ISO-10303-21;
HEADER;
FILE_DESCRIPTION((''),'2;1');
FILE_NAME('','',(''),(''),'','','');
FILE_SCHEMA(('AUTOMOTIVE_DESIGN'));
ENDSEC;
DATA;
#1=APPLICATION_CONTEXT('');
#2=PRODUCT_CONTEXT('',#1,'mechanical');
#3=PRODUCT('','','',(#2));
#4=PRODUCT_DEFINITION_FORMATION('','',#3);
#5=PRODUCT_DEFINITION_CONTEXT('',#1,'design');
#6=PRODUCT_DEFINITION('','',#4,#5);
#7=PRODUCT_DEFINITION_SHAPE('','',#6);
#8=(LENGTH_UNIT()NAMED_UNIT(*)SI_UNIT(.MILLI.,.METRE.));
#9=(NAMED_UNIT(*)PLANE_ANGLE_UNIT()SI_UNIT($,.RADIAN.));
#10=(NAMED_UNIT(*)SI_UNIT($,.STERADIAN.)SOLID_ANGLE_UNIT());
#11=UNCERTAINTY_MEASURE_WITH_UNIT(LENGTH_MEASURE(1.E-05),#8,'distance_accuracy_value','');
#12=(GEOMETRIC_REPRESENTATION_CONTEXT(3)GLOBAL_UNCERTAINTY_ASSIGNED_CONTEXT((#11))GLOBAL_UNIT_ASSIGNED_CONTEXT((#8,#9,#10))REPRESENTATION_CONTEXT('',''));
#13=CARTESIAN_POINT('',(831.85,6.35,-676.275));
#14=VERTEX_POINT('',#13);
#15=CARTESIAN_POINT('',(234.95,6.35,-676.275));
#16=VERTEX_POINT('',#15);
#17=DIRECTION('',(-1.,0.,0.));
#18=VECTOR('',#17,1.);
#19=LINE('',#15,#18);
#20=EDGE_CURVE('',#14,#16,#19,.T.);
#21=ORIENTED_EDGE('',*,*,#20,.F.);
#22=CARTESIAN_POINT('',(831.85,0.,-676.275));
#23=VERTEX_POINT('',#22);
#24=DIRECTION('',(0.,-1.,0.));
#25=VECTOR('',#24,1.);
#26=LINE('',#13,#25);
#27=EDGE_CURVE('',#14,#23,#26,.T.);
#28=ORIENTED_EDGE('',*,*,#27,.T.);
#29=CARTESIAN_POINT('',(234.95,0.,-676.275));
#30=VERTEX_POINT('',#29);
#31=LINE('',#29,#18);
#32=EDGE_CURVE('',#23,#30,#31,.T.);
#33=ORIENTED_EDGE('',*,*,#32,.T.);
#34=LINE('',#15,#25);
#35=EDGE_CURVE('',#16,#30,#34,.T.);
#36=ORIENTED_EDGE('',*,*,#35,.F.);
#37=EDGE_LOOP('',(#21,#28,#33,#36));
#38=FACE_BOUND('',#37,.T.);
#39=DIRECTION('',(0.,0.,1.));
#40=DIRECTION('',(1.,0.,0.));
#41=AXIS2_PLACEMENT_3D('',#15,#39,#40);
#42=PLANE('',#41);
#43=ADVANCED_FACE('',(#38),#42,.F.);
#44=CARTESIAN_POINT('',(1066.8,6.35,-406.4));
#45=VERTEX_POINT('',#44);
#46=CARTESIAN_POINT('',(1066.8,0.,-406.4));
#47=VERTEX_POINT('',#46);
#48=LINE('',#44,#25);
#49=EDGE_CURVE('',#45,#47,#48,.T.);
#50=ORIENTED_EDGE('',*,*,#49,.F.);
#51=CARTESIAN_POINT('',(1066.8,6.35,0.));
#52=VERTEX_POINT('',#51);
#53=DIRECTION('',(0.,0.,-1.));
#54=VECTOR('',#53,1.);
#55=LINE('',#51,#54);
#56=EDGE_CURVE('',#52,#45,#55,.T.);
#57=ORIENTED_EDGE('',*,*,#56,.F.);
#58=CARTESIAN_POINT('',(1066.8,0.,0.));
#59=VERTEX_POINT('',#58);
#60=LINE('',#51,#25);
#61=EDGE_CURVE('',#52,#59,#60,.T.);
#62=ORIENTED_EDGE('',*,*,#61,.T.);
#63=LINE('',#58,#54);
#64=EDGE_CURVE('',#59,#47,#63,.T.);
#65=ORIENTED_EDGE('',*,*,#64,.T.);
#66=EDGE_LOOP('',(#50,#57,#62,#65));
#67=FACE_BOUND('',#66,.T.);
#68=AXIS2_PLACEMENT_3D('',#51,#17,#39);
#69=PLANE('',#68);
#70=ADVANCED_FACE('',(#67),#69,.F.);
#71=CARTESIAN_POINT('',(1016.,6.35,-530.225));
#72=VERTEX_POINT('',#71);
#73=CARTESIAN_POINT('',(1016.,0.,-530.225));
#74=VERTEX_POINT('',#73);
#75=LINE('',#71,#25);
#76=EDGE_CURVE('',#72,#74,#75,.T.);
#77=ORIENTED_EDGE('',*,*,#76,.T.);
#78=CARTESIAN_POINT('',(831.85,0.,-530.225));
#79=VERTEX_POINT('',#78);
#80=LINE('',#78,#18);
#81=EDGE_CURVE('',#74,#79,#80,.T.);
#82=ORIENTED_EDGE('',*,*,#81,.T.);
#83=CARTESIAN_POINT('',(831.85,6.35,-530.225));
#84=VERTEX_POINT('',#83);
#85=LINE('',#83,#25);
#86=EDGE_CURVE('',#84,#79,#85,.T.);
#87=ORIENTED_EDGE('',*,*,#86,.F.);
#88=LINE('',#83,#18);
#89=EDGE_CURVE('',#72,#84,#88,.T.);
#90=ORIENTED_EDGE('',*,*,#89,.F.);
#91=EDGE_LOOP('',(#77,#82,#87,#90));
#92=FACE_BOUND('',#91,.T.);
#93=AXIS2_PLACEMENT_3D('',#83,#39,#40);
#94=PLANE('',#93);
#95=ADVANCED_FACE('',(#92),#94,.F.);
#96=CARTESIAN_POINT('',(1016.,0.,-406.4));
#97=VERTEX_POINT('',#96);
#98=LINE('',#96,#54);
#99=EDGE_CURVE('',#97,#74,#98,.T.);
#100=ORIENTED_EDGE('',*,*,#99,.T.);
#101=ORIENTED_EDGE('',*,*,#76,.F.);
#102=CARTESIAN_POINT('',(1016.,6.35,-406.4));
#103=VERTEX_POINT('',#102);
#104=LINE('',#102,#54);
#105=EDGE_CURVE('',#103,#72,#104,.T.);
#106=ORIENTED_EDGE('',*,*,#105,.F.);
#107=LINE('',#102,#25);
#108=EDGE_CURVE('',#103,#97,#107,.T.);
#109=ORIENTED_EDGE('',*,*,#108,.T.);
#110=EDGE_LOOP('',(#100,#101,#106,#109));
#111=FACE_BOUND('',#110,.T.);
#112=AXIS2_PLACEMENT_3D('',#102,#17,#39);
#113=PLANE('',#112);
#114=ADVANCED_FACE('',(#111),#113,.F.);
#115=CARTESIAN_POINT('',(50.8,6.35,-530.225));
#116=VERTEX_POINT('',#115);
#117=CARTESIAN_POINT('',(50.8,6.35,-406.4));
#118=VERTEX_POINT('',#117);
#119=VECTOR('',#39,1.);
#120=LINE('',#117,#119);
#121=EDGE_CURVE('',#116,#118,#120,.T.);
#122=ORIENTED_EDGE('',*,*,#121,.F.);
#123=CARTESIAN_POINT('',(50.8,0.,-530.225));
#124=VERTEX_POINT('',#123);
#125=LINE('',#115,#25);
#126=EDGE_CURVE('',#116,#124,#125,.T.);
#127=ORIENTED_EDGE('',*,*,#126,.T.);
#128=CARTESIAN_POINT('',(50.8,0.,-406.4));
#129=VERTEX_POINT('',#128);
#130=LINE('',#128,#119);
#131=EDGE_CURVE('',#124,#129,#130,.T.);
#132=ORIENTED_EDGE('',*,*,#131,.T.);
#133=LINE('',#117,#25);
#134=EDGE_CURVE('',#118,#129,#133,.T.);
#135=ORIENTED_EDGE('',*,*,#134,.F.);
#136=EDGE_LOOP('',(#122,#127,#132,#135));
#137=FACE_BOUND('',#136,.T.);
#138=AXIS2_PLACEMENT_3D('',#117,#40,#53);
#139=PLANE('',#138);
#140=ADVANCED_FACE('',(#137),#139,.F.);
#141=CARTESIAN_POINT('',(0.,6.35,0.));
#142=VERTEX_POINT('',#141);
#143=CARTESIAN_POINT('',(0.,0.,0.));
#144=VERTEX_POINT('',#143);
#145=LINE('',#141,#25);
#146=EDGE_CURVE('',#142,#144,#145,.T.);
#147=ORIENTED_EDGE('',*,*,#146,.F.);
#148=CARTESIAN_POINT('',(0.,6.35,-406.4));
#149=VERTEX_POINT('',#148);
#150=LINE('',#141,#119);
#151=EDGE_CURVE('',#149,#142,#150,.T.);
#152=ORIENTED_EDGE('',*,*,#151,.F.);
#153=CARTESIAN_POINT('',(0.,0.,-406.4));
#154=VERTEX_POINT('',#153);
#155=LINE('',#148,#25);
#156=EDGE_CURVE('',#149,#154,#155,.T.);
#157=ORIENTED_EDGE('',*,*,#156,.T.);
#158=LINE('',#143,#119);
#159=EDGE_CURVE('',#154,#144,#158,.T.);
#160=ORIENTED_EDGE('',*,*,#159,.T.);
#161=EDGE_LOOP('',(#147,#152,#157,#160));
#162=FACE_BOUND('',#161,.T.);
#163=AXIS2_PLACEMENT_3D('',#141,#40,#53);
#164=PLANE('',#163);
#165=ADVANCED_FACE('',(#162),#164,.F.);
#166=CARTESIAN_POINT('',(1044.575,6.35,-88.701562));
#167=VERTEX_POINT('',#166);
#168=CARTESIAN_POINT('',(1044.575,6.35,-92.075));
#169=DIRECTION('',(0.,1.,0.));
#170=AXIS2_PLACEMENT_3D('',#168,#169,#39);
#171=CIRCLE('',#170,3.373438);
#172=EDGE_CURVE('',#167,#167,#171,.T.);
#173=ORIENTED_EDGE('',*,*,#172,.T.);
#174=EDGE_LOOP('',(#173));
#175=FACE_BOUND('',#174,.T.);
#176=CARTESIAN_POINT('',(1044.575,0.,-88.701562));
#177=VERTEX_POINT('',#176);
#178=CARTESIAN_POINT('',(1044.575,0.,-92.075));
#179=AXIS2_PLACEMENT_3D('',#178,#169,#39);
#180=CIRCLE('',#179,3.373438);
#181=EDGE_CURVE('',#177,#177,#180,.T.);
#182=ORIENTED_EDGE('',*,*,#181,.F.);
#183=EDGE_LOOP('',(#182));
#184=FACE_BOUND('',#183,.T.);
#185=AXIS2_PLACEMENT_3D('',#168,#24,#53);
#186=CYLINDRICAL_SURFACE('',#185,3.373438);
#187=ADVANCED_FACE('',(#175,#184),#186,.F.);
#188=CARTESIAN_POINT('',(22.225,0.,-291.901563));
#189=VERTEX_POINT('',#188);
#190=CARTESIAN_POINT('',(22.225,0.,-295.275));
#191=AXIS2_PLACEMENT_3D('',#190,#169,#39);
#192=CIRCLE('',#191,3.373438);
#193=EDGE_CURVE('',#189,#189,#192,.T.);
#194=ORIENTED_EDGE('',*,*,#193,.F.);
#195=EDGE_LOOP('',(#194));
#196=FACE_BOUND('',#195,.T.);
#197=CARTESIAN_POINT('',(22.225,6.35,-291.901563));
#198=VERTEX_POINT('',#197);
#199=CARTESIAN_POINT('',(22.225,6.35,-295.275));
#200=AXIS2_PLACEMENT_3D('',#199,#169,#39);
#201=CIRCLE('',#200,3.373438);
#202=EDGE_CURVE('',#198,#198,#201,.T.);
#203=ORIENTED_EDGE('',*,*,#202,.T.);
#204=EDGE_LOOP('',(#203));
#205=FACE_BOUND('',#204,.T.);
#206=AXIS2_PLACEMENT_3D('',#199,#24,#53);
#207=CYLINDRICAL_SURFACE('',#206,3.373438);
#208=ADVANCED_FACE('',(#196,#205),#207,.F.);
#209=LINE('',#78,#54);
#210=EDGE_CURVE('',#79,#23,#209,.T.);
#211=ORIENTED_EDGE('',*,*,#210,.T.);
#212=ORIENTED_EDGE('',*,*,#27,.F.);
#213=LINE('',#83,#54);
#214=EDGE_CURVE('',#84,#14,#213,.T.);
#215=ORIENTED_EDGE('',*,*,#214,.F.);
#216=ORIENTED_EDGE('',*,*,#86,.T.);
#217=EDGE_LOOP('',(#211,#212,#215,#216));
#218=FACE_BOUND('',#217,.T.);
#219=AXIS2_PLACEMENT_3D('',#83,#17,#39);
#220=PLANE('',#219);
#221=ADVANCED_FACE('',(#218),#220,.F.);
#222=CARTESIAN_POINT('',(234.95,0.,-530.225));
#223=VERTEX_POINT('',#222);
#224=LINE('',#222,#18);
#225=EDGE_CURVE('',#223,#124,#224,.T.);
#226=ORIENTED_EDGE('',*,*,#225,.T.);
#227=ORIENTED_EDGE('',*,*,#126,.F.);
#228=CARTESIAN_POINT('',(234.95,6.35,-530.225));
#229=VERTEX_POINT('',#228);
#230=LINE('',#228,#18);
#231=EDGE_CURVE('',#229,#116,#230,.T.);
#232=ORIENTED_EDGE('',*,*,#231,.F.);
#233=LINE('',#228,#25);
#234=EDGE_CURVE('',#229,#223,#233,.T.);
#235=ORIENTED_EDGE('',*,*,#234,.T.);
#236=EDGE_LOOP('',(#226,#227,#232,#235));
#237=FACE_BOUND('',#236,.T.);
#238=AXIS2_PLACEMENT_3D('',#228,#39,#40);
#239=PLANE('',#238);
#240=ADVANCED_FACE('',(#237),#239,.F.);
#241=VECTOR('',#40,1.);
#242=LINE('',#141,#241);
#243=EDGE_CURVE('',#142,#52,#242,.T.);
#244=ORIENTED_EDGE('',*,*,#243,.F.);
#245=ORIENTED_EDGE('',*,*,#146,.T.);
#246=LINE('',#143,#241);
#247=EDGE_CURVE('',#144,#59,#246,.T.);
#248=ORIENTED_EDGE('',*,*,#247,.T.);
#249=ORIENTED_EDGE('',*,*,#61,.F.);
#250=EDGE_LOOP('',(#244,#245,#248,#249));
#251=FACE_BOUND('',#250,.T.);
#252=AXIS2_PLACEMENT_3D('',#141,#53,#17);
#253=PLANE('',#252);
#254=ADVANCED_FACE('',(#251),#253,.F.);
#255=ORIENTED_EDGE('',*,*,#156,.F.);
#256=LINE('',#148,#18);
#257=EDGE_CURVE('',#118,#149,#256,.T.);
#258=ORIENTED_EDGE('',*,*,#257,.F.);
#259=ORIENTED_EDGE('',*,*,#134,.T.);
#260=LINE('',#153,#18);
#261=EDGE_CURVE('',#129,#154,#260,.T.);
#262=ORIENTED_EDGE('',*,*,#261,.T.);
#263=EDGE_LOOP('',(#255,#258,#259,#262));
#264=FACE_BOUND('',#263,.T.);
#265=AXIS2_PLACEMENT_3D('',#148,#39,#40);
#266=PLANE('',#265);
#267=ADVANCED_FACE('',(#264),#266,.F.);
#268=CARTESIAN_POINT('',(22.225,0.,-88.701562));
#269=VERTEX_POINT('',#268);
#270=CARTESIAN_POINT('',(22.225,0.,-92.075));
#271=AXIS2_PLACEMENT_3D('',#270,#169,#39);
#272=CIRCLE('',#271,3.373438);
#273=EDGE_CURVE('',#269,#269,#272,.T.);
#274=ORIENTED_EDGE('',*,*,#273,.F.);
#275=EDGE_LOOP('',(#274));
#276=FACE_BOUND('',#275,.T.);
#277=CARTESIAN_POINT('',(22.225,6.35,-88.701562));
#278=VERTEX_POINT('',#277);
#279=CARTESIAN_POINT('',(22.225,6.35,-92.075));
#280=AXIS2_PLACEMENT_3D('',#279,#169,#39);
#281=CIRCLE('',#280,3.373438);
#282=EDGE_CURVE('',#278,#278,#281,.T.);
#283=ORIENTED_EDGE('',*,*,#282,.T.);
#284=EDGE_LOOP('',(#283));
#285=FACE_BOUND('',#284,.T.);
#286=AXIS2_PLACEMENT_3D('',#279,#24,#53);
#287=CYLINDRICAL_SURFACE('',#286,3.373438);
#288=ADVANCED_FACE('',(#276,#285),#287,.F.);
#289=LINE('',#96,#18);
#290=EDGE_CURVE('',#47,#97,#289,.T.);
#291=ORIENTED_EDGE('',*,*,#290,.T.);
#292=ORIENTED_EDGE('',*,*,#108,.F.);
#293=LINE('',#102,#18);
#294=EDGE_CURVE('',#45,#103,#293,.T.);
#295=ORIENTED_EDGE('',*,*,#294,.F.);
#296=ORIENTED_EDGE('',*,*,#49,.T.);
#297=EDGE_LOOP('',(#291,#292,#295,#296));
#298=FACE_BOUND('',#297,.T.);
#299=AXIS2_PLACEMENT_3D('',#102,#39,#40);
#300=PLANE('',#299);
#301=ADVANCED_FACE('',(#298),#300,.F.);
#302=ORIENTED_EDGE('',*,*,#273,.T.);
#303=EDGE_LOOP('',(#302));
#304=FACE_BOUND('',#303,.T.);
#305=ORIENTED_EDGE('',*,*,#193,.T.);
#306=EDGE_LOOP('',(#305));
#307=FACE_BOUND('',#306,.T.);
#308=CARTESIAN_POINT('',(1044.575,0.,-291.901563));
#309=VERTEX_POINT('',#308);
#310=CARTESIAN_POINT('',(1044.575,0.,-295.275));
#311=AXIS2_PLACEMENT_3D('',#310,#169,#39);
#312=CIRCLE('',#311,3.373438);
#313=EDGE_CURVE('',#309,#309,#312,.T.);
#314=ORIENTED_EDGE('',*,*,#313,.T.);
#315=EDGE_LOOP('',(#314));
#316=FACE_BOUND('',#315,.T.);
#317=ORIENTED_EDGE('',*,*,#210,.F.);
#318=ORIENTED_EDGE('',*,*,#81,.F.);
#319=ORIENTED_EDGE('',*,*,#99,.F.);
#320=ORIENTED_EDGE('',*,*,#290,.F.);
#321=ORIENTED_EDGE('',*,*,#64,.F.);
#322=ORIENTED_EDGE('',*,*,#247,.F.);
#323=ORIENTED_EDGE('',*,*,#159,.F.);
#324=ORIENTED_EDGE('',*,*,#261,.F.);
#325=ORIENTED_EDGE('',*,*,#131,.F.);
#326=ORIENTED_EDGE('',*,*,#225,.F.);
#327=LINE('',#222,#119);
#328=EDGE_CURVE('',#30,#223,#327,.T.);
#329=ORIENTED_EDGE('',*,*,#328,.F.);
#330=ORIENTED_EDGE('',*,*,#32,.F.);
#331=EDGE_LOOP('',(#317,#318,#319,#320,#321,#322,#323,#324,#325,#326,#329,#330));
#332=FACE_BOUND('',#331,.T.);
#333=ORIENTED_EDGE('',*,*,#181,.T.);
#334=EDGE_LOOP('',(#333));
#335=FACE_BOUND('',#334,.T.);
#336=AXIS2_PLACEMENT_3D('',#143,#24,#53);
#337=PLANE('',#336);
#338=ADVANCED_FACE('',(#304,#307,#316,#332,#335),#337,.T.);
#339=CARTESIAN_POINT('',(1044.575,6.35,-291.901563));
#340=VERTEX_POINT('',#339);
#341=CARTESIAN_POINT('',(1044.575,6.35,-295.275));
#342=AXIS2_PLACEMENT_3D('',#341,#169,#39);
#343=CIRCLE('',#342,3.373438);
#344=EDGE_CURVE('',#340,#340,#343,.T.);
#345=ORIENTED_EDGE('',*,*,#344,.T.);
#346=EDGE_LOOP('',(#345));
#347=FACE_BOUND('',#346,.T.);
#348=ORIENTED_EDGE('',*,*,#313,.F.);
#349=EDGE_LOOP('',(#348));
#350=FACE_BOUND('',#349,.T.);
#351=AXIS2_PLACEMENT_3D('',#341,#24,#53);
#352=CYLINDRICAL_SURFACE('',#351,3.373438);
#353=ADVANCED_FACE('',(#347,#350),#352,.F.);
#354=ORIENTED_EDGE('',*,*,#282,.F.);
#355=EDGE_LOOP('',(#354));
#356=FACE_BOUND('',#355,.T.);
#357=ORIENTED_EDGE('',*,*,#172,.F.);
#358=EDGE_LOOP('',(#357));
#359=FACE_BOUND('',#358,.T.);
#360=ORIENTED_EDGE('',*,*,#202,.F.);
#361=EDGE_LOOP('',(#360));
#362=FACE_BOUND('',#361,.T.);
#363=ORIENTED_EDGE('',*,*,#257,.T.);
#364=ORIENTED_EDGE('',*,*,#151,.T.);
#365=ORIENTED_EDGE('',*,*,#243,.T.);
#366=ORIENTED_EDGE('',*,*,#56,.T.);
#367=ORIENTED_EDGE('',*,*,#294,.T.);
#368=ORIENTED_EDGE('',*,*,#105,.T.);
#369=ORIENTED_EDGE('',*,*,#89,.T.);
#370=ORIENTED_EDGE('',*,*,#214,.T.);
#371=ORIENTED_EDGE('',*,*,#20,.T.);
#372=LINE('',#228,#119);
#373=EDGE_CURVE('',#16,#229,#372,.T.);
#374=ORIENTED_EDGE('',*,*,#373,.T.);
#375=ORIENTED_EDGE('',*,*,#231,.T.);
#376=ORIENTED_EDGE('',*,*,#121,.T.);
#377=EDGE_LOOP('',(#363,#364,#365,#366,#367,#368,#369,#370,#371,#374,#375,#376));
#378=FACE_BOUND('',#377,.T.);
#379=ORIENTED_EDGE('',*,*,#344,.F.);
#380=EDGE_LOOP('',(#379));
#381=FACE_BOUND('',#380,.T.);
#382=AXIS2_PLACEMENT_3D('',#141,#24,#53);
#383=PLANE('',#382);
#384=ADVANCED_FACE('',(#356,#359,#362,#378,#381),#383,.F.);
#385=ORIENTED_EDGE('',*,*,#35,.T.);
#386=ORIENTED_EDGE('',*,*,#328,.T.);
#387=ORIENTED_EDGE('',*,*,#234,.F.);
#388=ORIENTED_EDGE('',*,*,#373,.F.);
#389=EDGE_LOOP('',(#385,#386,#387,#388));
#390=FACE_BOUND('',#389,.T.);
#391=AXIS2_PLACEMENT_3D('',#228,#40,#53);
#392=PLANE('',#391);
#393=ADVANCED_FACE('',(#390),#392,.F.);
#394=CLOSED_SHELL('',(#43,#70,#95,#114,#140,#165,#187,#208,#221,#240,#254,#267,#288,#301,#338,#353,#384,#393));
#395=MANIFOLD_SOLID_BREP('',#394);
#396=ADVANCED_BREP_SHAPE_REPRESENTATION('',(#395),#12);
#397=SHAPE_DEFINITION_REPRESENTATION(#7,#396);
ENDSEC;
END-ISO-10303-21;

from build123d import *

# Parameters (mm, degrees)
SKETCH1_R           = 3.3734375
BOSS_EXTRUDE1_DEPTH = 6.35


with BuildPart() as part:
    # Sketch1 → Boss-Extrude1 (new body)
    with BuildSketch(Plane(origin=(0, 0, 0), x_dir=(1, 0, 0), z_dir=(0, 1, 0))):
        Polygon((1016, 406.4), (1066.8, 406.4), (1066.8, 0), (0, 0), (0, 406.4), (50.8, 406.4), (50.8, 530.225), (234.95, 530.225), (234.95, 676.275), (831.85, 676.275), (831.85, 530.225), (1016, 530.225), align=None)
        with Locations((22.225, 92.075)):
            Circle(SKETCH1_R, mode=Mode.SUBTRACT)
        with Locations((1044.575, 92.075)):
            Circle(SKETCH1_R, mode=Mode.SUBTRACT)
        with Locations((22.225, 295.275)):
            Circle(SKETCH1_R, mode=Mode.SUBTRACT)
        with Locations((1044.575, 295.275)):
            Circle(SKETCH1_R, mode=Mode.SUBTRACT)
    extrude(amount=BOSS_EXTRUDE1_DEPTH)


solid = part.part
